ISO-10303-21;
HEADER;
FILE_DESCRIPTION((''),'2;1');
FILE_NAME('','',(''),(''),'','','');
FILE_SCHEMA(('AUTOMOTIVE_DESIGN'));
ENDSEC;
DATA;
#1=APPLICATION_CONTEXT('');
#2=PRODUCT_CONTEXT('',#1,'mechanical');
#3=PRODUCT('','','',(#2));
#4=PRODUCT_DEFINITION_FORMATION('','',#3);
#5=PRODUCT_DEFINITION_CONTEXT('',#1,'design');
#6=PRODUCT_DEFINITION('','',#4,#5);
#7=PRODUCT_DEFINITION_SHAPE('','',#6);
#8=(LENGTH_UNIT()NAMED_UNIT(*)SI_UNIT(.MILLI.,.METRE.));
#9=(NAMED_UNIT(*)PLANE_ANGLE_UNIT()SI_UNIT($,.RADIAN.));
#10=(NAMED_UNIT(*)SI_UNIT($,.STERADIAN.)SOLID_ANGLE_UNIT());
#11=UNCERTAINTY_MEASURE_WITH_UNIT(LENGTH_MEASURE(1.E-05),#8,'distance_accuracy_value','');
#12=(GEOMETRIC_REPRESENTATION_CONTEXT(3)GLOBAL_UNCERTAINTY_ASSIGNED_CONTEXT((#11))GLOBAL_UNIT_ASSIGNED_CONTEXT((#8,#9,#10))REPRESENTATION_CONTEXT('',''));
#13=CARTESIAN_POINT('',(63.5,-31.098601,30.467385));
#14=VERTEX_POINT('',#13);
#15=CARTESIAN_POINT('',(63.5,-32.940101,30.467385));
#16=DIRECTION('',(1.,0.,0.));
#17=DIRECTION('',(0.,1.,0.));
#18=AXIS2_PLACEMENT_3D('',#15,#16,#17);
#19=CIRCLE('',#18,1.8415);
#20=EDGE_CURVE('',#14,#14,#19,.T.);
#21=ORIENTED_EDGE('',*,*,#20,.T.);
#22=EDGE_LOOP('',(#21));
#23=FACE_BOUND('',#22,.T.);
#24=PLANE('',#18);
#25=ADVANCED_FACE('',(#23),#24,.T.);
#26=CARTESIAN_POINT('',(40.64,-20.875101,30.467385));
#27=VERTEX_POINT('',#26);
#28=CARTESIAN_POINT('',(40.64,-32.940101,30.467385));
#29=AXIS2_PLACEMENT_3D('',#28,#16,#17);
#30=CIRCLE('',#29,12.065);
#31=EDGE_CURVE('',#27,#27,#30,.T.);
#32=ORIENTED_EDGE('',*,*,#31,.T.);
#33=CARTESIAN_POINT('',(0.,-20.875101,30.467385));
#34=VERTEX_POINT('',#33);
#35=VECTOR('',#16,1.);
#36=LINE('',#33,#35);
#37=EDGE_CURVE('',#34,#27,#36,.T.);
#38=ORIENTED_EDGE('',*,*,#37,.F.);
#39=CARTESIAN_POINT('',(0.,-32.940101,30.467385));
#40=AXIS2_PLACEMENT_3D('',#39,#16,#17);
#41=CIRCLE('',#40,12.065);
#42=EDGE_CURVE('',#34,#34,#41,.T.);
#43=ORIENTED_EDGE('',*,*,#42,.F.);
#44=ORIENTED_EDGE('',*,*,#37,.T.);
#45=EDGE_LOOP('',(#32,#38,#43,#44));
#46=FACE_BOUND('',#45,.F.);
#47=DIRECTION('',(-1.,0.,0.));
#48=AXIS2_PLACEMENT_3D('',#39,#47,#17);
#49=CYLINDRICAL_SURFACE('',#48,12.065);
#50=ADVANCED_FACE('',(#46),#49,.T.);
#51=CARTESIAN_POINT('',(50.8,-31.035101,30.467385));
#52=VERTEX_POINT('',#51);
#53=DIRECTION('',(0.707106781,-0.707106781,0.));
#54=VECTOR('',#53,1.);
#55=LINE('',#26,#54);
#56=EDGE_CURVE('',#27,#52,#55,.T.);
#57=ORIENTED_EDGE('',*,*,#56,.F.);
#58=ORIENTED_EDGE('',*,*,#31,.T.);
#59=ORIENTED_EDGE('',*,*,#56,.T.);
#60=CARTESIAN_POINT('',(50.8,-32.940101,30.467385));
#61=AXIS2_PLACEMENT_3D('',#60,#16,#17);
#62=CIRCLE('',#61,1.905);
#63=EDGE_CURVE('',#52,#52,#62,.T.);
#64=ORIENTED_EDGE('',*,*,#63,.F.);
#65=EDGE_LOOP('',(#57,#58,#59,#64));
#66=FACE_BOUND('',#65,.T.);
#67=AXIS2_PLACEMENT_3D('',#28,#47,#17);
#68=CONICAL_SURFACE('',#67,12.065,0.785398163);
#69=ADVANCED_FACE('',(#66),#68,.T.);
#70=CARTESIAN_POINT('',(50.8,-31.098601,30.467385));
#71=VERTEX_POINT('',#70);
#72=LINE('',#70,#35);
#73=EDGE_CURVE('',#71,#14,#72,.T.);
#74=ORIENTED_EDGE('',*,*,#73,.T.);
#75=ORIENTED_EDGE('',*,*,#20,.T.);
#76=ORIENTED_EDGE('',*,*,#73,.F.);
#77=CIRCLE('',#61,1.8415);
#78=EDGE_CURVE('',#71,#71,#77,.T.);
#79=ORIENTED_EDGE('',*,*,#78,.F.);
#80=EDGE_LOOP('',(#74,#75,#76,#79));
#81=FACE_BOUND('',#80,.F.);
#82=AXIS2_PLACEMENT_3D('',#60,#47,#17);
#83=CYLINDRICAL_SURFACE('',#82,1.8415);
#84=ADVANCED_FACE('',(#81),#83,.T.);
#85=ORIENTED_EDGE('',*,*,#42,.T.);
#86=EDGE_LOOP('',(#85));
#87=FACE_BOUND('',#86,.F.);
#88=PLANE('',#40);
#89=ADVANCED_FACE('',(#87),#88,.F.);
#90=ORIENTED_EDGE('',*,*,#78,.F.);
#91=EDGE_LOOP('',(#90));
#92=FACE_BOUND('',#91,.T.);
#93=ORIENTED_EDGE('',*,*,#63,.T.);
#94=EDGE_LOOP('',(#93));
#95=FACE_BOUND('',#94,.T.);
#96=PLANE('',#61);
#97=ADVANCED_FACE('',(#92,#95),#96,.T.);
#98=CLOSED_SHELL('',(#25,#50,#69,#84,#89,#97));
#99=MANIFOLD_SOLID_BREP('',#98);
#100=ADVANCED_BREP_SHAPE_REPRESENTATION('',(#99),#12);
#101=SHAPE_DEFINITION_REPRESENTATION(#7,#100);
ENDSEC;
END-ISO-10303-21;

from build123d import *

# Parameters (mm, degrees)
F0_R     = 12.065
F1_DEPTH = 50.8
F2_R     = 1.8415
F3_DEPTH = 12.7
F4_SIZE  = 10.16


with BuildPart() as f1:
    # F0 (on Right) → F1 (new body)
    with BuildSketch(Plane.YZ):
        with Locations((-32.940101, 30.467385)):
            Circle(F0_R)
    extrude(amount=F1_DEPTH)

    # F2 (on face) → F3 (join)
    with BuildSketch(Plane.YZ.offset(50.8)):
        with Locations((-32.940101, 30.467385)):
            Circle(F2_R)
    extrude(amount=F3_DEPTH)

    # F4
    f4_edges = [f1.edges().sort_by_distance(p)[0] for p in [
        (50.8, -45.005101, 30.467385),
    ]]
    chamfer(f4_edges, length=F4_SIZE)


solid = f1.part
